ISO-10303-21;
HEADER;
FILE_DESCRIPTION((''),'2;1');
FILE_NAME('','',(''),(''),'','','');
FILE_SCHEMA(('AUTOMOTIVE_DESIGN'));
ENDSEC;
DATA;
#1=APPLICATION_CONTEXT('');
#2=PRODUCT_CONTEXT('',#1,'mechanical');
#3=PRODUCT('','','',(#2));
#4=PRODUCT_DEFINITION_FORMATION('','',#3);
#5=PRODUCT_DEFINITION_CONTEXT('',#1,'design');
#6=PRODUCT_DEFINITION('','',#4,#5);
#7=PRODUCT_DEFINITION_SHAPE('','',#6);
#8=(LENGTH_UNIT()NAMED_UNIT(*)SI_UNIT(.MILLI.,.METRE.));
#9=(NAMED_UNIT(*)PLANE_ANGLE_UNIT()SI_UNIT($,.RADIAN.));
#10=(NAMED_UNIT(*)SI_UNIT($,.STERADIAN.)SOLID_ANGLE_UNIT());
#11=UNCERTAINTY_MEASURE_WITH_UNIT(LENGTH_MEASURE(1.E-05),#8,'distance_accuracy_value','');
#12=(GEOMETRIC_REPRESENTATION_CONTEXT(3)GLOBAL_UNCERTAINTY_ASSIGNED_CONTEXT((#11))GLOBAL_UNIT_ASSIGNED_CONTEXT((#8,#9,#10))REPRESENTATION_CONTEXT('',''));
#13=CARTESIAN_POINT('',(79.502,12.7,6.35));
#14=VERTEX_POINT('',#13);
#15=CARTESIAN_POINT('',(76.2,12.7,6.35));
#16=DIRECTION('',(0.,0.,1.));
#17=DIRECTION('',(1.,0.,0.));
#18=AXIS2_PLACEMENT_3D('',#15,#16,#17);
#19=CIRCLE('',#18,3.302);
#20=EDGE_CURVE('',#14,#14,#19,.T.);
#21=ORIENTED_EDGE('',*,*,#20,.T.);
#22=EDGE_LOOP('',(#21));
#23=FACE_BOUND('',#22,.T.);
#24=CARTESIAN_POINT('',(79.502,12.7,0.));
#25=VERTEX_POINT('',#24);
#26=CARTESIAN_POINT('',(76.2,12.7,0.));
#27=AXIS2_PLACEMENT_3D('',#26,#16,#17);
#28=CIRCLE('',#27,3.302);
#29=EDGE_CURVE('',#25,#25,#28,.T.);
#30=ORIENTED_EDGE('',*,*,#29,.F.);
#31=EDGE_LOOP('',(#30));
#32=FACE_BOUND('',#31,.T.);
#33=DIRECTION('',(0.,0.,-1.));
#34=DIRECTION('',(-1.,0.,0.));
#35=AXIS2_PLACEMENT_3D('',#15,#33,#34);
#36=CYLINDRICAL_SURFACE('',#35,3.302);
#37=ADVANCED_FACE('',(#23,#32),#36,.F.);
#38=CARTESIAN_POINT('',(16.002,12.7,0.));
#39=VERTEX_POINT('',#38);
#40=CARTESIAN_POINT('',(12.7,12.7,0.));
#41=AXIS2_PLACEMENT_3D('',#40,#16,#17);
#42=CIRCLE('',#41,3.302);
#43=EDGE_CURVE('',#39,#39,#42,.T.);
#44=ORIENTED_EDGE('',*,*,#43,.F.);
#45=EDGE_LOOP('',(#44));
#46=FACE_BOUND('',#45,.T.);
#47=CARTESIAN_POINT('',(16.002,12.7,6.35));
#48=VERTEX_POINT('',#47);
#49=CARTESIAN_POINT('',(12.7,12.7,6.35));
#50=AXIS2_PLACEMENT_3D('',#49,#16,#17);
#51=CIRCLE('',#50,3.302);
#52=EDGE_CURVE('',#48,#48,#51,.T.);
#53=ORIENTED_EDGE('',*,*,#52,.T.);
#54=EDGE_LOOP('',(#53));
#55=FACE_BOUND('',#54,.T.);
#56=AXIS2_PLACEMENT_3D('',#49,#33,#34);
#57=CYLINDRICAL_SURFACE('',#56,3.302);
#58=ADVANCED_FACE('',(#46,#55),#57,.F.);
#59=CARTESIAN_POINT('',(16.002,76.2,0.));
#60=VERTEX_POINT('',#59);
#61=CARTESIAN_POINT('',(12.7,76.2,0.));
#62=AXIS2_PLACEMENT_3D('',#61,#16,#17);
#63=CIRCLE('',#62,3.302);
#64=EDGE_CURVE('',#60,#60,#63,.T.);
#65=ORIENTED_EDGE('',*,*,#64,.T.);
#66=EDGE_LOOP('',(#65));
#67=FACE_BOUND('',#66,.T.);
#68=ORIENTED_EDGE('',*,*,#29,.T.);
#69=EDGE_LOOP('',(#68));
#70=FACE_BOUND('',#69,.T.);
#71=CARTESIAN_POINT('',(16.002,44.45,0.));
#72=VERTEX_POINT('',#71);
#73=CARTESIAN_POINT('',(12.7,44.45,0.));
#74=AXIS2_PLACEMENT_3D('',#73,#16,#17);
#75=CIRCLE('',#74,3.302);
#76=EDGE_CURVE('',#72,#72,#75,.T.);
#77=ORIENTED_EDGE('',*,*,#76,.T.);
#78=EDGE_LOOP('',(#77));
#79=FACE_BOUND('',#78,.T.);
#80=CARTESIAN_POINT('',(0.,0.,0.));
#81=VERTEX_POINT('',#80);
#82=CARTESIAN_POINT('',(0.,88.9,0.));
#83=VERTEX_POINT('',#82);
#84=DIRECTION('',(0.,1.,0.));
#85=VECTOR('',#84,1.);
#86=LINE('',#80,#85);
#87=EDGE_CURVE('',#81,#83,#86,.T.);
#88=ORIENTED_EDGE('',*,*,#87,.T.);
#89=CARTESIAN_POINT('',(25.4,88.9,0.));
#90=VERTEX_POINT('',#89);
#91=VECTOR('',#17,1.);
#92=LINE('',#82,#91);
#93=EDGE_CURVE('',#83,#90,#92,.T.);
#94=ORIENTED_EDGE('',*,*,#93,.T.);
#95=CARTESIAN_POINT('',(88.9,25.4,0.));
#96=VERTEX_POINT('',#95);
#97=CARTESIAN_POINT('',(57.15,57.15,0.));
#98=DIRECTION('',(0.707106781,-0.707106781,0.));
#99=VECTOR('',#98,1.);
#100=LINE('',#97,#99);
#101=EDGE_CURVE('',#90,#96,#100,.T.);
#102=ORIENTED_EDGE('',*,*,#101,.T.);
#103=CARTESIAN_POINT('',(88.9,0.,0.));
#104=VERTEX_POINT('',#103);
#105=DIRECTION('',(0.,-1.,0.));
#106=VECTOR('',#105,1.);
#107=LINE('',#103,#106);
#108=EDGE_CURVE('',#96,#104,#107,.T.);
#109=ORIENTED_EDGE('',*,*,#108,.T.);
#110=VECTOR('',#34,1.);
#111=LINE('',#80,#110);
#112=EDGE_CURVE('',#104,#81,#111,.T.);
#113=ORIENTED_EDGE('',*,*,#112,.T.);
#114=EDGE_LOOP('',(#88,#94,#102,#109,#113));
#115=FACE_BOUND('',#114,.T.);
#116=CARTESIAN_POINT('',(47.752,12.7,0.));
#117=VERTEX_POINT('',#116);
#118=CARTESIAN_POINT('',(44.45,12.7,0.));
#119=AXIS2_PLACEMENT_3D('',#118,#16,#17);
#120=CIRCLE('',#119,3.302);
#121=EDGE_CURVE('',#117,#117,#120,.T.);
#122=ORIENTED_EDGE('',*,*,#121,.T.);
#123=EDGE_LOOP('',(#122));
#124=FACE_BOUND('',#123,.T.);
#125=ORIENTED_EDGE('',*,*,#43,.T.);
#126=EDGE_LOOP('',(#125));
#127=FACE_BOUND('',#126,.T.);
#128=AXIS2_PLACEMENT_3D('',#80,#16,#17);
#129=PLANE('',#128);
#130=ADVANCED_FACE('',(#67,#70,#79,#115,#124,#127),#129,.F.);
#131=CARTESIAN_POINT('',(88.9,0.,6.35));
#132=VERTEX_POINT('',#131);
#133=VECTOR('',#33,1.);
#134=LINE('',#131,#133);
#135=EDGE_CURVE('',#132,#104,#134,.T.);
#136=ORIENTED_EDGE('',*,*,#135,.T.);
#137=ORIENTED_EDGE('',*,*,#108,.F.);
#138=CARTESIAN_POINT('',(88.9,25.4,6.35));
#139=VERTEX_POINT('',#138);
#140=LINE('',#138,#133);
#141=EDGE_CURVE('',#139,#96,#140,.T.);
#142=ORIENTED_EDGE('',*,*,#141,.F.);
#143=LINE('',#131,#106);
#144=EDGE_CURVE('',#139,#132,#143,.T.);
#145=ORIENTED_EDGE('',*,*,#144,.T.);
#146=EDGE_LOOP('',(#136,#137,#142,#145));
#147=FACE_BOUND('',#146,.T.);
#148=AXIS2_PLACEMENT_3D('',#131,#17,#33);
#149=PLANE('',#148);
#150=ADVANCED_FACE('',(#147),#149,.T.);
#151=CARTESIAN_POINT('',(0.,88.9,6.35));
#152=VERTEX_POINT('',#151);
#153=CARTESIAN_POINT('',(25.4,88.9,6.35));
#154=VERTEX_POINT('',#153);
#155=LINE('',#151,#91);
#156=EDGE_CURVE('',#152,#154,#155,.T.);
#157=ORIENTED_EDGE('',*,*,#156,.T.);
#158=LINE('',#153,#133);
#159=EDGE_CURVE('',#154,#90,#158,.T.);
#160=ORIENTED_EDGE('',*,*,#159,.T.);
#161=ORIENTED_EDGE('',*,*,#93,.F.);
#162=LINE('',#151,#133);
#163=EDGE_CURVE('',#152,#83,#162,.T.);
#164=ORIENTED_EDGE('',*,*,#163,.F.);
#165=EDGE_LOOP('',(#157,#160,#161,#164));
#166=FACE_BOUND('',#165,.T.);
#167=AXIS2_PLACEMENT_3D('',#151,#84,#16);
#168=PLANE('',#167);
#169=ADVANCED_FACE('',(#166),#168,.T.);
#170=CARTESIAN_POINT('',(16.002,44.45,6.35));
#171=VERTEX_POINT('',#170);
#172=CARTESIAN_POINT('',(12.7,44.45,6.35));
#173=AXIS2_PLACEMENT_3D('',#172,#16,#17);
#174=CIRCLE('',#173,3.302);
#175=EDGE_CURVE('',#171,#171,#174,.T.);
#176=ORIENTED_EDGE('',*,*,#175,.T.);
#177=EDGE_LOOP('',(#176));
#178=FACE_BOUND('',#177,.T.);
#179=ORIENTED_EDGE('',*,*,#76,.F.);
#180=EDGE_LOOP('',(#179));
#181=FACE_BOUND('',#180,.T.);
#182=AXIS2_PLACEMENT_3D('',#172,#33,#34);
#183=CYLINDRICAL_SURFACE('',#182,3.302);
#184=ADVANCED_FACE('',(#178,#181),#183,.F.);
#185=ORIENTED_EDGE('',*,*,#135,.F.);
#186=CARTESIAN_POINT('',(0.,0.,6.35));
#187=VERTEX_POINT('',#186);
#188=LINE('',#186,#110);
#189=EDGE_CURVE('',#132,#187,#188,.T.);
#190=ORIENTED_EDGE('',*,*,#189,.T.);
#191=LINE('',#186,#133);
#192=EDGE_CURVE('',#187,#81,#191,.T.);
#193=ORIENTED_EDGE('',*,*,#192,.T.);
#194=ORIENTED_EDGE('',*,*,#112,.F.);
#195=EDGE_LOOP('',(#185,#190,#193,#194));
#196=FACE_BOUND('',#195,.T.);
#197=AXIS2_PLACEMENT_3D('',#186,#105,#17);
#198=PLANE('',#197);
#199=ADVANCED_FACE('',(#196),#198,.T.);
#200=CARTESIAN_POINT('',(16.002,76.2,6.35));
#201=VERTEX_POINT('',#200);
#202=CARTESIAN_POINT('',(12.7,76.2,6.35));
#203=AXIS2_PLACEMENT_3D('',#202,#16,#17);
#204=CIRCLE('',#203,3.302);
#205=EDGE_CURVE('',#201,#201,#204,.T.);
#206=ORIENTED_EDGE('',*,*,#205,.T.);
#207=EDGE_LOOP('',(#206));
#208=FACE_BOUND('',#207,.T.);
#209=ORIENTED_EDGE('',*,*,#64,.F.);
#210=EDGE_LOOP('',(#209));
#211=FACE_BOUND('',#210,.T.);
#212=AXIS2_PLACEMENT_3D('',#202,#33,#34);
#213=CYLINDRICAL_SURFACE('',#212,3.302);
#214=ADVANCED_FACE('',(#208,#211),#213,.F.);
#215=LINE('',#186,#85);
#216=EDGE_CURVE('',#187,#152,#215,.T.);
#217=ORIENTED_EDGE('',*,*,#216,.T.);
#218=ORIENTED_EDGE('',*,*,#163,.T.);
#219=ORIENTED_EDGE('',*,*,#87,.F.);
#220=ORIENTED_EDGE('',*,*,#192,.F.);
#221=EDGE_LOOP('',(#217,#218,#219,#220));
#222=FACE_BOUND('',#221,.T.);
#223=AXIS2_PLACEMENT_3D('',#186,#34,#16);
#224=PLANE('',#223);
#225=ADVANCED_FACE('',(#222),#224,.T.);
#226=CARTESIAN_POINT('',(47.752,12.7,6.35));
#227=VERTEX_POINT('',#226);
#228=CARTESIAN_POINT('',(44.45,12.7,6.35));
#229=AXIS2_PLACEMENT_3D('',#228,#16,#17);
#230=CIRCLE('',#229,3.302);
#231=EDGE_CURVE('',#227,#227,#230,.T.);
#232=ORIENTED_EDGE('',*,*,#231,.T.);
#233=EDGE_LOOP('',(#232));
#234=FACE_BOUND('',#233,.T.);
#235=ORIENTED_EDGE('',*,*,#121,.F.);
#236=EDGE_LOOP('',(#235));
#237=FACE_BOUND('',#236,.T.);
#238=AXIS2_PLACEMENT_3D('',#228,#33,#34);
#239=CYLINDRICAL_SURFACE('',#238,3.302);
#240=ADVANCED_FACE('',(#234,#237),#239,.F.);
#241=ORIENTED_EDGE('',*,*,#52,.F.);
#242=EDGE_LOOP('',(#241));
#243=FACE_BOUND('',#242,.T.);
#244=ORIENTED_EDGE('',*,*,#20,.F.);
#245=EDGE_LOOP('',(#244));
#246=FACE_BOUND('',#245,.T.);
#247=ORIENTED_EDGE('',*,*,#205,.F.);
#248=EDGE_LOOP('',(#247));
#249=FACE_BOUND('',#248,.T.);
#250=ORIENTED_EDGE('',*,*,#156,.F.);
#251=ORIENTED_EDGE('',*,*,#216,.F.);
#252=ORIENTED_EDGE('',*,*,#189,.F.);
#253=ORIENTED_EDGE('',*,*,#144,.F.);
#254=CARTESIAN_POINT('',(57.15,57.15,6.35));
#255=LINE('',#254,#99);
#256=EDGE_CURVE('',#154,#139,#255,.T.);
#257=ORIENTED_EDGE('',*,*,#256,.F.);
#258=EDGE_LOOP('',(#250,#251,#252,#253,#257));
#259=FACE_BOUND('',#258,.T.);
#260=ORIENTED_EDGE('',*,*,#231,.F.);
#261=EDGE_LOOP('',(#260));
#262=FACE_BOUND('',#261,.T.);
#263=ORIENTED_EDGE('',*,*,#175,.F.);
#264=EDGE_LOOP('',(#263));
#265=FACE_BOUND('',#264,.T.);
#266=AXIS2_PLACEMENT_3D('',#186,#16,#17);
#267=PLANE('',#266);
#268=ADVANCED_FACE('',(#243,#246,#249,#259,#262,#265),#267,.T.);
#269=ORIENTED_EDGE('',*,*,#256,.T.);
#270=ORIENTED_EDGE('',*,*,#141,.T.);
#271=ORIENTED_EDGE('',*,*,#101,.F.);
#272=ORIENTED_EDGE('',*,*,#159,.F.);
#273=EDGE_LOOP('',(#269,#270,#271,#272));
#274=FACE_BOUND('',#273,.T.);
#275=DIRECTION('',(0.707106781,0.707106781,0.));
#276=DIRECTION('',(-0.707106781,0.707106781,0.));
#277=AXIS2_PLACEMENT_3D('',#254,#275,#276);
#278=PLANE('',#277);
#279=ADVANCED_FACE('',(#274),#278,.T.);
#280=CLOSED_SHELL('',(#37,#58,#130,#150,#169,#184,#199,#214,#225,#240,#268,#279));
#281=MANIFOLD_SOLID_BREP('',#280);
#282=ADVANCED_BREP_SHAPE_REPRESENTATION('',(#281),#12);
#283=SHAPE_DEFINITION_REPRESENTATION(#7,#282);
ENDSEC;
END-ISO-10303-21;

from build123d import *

# Parameters (mm, degrees)
SKETCH1_R           = 3.302
BOSS_EXTRUDE1_DEPTH = 6.35


with BuildPart() as part:
    # Sketch1 → Boss-Extrude1 (new body)
    with BuildSketch(Plane.XY):
        Polygon((88.9, 0), (0, 0), (0, 88.9), (25.4, 88.9), (88.9, 25.4), align=None)
        with Locations((76.2, 12.7)):
            Circle(SKETCH1_R, mode=Mode.SUBTRACT)
        with Locations((44.45, 12.7)):
            Circle(SKETCH1_R, mode=Mode.SUBTRACT)
        with Locations((12.7, 76.2)):
            Circle(SKETCH1_R, mode=Mode.SUBTRACT)
        with Locations((12.7, 44.45)):
            Circle(SKETCH1_R, mode=Mode.SUBTRACT)
        with Locations((12.7, 12.7)):
            Circle(SKETCH1_R, mode=Mode.SUBTRACT)
    extrude(amount=BOSS_EXTRUDE1_DEPTH)


solid = part.part
